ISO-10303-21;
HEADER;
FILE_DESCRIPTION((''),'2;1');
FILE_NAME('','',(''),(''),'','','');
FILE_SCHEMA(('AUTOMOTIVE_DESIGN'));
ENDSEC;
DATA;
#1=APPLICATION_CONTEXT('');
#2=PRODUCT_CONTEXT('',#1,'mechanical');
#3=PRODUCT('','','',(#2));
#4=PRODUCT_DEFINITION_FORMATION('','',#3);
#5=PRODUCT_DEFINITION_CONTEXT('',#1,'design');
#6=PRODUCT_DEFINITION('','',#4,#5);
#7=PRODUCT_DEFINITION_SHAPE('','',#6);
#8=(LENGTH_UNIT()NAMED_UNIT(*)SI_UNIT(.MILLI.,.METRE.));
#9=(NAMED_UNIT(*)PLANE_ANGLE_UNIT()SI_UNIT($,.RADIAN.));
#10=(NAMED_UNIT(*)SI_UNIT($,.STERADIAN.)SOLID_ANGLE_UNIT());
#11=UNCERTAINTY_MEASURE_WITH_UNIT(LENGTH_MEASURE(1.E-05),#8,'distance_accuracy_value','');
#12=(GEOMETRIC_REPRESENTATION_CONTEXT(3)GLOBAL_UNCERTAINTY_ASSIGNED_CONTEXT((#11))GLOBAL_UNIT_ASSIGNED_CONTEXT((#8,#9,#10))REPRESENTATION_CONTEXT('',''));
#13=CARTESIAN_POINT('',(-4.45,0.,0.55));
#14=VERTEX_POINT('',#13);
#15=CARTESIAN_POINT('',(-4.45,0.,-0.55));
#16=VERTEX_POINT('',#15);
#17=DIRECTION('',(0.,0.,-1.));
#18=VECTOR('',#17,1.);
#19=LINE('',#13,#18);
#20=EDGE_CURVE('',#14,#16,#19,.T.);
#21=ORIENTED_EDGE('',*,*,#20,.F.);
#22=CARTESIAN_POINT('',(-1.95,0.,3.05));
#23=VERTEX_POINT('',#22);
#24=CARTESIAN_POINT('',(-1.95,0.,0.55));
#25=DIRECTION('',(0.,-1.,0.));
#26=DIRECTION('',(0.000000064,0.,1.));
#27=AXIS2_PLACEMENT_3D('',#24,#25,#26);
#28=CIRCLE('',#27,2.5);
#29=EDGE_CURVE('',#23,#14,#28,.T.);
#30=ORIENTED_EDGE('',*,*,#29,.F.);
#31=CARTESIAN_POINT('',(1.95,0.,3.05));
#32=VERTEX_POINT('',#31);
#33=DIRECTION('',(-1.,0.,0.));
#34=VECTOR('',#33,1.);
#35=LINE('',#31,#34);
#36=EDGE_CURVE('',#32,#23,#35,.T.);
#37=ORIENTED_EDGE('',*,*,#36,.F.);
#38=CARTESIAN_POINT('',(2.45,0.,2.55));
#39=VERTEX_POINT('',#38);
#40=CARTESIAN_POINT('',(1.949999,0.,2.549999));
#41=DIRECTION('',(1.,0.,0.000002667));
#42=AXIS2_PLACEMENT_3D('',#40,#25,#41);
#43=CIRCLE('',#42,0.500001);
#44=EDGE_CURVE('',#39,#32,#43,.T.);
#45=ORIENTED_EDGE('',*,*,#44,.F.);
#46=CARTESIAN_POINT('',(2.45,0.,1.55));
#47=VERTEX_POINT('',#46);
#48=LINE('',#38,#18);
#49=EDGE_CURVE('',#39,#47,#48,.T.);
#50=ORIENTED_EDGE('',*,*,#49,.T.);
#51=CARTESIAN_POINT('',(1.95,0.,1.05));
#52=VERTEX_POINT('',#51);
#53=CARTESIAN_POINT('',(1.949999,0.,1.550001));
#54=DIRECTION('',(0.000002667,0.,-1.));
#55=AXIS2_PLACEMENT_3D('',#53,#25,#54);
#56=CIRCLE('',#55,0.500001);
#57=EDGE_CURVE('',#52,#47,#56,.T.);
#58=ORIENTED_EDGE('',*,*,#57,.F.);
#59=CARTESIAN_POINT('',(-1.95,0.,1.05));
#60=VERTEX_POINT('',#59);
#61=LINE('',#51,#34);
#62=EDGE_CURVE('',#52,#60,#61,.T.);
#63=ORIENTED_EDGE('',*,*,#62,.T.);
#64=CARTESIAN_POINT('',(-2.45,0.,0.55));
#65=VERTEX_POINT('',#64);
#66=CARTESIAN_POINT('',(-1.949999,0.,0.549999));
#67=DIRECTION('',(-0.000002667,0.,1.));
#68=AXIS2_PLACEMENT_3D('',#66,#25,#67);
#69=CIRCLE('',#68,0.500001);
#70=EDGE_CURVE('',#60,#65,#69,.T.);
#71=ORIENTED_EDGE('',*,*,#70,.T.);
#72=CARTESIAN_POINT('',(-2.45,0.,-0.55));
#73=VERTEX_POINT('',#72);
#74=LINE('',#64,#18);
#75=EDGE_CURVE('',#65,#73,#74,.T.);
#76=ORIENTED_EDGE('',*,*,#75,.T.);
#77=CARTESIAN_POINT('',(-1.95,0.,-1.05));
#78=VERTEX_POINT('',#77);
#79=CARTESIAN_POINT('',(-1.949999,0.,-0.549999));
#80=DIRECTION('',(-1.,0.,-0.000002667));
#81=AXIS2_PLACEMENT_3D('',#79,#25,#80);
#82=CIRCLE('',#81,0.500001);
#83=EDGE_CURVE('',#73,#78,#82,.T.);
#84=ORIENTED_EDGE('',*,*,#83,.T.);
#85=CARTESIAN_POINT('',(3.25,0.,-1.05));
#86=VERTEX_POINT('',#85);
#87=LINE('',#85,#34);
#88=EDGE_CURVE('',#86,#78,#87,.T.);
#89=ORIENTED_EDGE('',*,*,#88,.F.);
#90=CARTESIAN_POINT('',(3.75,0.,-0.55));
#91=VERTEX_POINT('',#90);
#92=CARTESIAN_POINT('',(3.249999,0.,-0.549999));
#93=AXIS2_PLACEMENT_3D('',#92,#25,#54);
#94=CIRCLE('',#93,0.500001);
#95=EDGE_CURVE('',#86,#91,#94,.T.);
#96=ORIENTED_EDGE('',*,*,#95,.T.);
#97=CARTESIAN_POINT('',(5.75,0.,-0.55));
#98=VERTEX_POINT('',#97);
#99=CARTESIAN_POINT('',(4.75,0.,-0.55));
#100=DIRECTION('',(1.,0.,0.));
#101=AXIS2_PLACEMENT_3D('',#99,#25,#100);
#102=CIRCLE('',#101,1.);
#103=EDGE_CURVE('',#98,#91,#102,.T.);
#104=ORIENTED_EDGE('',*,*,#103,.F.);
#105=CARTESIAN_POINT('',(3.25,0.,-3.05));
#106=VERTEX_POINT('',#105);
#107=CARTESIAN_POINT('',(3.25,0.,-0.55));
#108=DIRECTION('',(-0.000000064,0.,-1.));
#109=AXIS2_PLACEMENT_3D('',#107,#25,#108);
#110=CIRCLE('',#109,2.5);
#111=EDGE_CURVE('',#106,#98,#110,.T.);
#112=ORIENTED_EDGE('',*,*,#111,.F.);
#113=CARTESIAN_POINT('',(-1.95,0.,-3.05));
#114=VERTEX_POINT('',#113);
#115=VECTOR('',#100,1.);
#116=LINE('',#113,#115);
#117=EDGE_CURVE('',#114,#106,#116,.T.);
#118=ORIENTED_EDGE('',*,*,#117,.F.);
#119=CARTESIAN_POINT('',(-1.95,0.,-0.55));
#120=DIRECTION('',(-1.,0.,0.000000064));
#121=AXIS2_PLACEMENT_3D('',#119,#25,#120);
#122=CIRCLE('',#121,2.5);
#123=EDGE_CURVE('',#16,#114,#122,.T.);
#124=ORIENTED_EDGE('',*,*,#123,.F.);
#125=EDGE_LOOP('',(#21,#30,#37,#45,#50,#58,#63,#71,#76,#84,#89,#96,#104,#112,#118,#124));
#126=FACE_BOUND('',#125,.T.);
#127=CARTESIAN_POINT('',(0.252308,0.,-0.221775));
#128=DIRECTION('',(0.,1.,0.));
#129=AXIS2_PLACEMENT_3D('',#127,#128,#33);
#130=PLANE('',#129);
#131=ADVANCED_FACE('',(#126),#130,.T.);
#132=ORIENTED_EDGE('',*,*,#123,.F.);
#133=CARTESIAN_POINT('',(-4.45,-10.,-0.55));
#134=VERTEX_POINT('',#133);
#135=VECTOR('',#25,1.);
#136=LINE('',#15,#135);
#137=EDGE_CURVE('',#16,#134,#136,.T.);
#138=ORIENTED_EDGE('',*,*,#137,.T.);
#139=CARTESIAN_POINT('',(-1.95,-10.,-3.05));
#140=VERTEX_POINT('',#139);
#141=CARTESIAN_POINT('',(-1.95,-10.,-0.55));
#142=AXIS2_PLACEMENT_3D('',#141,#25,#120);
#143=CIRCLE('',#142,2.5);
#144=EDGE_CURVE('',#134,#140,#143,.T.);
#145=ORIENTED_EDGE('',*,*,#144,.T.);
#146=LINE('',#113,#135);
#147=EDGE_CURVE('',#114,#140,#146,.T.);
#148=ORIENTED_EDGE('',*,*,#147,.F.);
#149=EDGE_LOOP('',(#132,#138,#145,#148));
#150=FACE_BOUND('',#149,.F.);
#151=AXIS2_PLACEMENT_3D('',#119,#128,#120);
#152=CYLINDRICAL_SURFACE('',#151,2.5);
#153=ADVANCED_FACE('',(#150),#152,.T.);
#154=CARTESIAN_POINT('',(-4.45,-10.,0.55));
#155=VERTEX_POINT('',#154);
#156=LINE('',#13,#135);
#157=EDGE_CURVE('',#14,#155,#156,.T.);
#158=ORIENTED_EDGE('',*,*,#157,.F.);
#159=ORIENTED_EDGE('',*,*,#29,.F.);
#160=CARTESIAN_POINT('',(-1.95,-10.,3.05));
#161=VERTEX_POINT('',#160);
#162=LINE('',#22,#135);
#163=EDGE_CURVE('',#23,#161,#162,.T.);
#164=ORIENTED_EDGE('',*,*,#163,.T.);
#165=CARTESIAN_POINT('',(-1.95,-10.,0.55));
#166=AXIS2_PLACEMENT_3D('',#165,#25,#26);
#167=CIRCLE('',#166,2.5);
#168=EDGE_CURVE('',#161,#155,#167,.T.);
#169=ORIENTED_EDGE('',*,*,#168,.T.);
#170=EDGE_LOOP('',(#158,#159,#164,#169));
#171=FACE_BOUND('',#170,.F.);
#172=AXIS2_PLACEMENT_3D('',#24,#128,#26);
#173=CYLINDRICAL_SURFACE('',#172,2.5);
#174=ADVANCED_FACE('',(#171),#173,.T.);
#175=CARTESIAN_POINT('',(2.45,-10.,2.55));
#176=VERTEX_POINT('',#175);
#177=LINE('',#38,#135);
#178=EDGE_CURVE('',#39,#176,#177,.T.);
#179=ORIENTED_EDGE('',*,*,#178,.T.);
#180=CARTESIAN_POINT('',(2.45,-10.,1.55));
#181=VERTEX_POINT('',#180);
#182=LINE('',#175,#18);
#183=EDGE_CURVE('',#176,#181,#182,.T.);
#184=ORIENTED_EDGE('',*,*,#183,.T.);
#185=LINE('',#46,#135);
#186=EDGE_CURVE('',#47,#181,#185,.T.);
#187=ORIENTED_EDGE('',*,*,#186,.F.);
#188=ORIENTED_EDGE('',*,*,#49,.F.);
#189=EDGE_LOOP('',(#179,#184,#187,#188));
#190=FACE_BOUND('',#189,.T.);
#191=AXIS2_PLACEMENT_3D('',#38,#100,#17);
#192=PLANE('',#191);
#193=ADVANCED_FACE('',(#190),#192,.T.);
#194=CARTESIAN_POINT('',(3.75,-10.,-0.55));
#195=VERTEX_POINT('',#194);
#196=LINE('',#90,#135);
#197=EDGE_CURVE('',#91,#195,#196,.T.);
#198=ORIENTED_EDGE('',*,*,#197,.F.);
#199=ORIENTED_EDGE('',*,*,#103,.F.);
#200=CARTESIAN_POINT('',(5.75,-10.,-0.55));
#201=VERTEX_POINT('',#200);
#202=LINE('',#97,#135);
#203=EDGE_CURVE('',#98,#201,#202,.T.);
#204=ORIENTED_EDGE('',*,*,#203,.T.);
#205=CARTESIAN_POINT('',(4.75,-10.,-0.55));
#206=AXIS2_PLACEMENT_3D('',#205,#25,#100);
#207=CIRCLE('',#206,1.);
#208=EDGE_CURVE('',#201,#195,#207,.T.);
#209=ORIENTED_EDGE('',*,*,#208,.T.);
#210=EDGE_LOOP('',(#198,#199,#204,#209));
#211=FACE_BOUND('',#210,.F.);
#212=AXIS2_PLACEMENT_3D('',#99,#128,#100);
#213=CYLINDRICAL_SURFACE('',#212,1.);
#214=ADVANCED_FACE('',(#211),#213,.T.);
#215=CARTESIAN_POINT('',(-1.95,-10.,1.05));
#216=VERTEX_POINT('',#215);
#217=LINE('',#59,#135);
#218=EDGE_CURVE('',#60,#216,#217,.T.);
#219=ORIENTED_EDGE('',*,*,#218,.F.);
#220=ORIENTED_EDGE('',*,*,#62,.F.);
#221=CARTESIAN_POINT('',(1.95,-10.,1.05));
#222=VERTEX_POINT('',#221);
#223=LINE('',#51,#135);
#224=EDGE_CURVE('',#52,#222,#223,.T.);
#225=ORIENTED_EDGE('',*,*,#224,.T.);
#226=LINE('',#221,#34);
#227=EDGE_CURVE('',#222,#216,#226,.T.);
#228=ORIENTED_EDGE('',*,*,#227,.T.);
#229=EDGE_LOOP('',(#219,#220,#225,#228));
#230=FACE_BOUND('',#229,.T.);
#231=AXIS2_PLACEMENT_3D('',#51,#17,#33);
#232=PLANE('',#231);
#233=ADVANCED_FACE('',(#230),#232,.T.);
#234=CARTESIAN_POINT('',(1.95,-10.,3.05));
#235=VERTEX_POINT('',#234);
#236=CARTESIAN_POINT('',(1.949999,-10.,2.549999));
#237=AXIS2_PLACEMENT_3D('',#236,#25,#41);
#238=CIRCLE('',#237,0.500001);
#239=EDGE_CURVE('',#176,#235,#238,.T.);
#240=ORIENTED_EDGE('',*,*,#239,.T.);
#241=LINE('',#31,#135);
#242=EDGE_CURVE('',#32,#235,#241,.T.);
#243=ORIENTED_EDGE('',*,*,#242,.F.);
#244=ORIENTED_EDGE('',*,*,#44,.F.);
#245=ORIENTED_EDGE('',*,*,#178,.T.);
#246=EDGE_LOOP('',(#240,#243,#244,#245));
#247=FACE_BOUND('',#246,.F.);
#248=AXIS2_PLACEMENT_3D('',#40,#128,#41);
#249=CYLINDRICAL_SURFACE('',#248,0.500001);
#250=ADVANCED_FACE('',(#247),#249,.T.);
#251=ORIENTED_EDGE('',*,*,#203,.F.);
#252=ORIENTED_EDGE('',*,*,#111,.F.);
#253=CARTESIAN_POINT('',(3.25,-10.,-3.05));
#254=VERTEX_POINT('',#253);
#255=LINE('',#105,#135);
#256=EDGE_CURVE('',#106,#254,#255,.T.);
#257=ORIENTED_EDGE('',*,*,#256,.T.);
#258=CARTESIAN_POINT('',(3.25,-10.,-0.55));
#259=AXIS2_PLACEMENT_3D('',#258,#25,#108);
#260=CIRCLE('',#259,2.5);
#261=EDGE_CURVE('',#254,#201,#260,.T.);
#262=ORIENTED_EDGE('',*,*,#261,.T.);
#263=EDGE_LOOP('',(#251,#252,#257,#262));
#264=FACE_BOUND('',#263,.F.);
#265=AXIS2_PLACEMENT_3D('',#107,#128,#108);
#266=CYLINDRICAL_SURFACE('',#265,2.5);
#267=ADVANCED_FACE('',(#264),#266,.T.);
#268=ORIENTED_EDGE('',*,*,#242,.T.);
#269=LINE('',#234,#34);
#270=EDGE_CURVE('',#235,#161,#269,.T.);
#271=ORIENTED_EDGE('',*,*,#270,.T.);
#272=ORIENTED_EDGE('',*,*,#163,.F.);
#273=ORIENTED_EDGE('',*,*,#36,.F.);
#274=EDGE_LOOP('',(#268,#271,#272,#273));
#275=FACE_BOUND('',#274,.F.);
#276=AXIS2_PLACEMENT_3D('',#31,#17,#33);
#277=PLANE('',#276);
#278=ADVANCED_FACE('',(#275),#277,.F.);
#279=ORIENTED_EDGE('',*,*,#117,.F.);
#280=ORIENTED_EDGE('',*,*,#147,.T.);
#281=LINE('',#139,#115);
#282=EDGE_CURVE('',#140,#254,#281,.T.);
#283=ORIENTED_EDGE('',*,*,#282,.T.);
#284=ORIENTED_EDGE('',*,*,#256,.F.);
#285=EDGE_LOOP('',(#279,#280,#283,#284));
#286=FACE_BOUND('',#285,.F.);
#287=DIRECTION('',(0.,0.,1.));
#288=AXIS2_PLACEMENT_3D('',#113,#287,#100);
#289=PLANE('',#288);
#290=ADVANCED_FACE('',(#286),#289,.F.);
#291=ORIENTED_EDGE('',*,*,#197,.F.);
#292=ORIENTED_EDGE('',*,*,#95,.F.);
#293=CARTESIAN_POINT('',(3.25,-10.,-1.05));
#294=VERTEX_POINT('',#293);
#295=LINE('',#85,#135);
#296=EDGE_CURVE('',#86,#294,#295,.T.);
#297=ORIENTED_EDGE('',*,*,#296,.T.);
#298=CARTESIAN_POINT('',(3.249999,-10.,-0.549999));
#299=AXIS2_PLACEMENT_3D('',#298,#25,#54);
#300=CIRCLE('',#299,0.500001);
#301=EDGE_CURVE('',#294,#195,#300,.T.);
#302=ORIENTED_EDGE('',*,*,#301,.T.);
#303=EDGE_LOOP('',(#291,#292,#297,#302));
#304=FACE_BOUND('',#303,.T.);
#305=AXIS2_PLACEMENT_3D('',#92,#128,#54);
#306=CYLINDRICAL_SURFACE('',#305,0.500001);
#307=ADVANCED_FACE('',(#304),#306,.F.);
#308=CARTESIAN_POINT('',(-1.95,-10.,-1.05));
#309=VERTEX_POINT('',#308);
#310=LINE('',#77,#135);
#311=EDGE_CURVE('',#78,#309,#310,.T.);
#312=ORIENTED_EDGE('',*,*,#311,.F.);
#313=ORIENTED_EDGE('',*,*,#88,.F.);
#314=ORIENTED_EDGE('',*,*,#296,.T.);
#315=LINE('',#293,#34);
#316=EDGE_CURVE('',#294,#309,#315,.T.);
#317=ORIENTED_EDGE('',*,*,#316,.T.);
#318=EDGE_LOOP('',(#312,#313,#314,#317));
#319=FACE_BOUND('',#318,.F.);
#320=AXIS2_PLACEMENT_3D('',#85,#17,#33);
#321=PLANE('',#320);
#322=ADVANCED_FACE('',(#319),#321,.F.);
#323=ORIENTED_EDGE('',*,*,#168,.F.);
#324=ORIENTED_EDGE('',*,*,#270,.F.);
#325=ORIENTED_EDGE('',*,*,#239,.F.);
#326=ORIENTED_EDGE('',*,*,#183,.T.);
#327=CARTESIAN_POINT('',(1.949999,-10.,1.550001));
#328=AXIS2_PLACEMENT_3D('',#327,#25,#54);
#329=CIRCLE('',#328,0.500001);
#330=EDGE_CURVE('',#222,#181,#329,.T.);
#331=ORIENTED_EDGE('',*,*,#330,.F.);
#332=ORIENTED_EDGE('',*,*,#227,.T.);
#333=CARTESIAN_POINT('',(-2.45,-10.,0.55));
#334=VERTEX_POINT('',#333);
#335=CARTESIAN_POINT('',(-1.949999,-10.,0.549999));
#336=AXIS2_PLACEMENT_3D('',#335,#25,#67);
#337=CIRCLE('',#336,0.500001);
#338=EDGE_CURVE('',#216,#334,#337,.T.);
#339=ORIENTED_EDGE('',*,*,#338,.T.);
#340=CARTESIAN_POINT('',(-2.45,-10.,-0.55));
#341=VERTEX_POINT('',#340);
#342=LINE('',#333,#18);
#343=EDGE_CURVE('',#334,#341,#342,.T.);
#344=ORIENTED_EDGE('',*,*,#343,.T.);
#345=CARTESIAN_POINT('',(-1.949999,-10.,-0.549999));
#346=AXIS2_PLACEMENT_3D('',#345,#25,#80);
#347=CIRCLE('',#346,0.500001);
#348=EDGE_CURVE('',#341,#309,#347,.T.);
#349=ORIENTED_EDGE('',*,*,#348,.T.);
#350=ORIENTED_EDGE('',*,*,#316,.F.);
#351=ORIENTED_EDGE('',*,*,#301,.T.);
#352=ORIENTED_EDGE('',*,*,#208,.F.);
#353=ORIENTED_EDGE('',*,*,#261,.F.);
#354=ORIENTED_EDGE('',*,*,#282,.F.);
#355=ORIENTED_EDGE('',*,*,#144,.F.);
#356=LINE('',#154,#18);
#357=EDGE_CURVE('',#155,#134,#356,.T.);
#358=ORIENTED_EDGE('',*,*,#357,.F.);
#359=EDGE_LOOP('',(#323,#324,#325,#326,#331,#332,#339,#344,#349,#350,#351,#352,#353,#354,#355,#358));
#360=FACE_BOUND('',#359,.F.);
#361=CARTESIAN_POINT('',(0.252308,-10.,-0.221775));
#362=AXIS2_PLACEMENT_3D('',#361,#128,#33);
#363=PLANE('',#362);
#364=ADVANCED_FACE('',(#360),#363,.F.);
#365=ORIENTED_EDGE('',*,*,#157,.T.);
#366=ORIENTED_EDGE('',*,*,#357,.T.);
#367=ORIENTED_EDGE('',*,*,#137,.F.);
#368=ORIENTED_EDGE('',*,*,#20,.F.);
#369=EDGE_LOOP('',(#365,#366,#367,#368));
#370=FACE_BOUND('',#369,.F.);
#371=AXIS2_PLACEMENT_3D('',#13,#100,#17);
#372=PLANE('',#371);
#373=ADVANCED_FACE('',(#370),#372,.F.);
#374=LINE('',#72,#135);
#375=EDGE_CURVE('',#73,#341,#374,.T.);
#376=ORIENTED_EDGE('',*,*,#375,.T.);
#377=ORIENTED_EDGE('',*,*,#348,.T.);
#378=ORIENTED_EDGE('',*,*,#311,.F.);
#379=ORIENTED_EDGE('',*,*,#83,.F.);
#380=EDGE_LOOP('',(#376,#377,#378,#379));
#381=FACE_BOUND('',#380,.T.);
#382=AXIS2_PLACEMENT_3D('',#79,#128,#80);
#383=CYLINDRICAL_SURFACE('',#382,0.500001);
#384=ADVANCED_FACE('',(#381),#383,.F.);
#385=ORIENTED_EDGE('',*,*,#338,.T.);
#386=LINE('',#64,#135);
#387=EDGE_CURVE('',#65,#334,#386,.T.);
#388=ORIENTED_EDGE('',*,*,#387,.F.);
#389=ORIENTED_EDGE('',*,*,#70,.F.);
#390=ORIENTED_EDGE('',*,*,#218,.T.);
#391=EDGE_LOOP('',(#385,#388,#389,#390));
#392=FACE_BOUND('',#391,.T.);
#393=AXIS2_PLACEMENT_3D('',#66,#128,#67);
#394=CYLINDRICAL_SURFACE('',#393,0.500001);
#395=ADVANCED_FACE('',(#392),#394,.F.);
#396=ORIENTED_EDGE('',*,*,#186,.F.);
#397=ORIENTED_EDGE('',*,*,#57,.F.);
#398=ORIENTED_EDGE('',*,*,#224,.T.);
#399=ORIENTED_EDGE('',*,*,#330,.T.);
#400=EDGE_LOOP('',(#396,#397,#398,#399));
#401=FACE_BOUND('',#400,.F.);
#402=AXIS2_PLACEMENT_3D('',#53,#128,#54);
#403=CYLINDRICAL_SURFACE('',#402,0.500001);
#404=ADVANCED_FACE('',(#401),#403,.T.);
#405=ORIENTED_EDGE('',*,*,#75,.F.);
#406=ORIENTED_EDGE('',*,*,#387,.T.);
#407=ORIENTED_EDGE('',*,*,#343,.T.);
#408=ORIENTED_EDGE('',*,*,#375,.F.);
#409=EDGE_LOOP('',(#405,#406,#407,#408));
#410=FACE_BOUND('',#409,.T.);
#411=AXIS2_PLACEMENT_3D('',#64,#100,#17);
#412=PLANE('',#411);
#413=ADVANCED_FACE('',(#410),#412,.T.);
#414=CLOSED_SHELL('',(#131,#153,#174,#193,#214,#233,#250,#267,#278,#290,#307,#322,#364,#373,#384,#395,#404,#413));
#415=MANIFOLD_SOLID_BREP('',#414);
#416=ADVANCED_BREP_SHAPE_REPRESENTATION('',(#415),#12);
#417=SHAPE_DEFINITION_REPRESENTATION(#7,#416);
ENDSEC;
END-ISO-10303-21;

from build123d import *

# Parameters (mm, degrees)
PAD_DEPTH = 10


with BuildPart() as part:
    # Sketch (on XZ_Plane of Origin) → Pad (new body)
    with BuildSketch(Plane.XZ):
        with BuildLine():
            Line((-2.45, 0.55), (-2.45, -0.55))
            ThreePointArc((-2.45, -0.55), (-2.303553, -0.903553), (-1.95, -1.05))
            Line((-1.95, -1.05), (1.95, -1.05))
            Line((3.25, -1.05), (1.95, -1.05))
            ThreePointArc((3.25, -1.05), (3.603553, -0.903553), (3.75, -0.55))
            ThreePointArc((5.75, -0.55), (4.75, 0.45), (3.75, -0.55))
            ThreePointArc((3.25, -3.05), (5.017767, -2.317767), (5.75, -0.55))
            Line((1.95, -3.05), (3.25, -3.05))
            Line((-1.95, -3.05), (1.95, -3.05))
            ThreePointArc((-4.45, -0.55), (-3.717767, -2.317767), (-1.95, -3.05))
            Line((-4.45, 0.55), (-4.45, -0.55))
            ThreePointArc((-1.95, 3.05), (-3.717767, 2.317767), (-4.45, 0.55))
            Line((1.95, 3.05), (-1.95, 3.05))
            ThreePointArc((2.45, 2.55), (2.303553, 2.903553), (1.95, 3.05))
            Line((2.45, 2.55), (2.45, 1.55))
            ThreePointArc((1.95, 1.05), (2.303553, 1.196447), (2.45, 1.55))
            Line((1.95, 1.05), (-1.95, 1.05))
            ThreePointArc((-1.95, 1.05), (-2.303553, 0.903553), (-2.45, 0.55))
        make_face()
    extrude(amount=PAD_DEPTH)


solid = part.part
